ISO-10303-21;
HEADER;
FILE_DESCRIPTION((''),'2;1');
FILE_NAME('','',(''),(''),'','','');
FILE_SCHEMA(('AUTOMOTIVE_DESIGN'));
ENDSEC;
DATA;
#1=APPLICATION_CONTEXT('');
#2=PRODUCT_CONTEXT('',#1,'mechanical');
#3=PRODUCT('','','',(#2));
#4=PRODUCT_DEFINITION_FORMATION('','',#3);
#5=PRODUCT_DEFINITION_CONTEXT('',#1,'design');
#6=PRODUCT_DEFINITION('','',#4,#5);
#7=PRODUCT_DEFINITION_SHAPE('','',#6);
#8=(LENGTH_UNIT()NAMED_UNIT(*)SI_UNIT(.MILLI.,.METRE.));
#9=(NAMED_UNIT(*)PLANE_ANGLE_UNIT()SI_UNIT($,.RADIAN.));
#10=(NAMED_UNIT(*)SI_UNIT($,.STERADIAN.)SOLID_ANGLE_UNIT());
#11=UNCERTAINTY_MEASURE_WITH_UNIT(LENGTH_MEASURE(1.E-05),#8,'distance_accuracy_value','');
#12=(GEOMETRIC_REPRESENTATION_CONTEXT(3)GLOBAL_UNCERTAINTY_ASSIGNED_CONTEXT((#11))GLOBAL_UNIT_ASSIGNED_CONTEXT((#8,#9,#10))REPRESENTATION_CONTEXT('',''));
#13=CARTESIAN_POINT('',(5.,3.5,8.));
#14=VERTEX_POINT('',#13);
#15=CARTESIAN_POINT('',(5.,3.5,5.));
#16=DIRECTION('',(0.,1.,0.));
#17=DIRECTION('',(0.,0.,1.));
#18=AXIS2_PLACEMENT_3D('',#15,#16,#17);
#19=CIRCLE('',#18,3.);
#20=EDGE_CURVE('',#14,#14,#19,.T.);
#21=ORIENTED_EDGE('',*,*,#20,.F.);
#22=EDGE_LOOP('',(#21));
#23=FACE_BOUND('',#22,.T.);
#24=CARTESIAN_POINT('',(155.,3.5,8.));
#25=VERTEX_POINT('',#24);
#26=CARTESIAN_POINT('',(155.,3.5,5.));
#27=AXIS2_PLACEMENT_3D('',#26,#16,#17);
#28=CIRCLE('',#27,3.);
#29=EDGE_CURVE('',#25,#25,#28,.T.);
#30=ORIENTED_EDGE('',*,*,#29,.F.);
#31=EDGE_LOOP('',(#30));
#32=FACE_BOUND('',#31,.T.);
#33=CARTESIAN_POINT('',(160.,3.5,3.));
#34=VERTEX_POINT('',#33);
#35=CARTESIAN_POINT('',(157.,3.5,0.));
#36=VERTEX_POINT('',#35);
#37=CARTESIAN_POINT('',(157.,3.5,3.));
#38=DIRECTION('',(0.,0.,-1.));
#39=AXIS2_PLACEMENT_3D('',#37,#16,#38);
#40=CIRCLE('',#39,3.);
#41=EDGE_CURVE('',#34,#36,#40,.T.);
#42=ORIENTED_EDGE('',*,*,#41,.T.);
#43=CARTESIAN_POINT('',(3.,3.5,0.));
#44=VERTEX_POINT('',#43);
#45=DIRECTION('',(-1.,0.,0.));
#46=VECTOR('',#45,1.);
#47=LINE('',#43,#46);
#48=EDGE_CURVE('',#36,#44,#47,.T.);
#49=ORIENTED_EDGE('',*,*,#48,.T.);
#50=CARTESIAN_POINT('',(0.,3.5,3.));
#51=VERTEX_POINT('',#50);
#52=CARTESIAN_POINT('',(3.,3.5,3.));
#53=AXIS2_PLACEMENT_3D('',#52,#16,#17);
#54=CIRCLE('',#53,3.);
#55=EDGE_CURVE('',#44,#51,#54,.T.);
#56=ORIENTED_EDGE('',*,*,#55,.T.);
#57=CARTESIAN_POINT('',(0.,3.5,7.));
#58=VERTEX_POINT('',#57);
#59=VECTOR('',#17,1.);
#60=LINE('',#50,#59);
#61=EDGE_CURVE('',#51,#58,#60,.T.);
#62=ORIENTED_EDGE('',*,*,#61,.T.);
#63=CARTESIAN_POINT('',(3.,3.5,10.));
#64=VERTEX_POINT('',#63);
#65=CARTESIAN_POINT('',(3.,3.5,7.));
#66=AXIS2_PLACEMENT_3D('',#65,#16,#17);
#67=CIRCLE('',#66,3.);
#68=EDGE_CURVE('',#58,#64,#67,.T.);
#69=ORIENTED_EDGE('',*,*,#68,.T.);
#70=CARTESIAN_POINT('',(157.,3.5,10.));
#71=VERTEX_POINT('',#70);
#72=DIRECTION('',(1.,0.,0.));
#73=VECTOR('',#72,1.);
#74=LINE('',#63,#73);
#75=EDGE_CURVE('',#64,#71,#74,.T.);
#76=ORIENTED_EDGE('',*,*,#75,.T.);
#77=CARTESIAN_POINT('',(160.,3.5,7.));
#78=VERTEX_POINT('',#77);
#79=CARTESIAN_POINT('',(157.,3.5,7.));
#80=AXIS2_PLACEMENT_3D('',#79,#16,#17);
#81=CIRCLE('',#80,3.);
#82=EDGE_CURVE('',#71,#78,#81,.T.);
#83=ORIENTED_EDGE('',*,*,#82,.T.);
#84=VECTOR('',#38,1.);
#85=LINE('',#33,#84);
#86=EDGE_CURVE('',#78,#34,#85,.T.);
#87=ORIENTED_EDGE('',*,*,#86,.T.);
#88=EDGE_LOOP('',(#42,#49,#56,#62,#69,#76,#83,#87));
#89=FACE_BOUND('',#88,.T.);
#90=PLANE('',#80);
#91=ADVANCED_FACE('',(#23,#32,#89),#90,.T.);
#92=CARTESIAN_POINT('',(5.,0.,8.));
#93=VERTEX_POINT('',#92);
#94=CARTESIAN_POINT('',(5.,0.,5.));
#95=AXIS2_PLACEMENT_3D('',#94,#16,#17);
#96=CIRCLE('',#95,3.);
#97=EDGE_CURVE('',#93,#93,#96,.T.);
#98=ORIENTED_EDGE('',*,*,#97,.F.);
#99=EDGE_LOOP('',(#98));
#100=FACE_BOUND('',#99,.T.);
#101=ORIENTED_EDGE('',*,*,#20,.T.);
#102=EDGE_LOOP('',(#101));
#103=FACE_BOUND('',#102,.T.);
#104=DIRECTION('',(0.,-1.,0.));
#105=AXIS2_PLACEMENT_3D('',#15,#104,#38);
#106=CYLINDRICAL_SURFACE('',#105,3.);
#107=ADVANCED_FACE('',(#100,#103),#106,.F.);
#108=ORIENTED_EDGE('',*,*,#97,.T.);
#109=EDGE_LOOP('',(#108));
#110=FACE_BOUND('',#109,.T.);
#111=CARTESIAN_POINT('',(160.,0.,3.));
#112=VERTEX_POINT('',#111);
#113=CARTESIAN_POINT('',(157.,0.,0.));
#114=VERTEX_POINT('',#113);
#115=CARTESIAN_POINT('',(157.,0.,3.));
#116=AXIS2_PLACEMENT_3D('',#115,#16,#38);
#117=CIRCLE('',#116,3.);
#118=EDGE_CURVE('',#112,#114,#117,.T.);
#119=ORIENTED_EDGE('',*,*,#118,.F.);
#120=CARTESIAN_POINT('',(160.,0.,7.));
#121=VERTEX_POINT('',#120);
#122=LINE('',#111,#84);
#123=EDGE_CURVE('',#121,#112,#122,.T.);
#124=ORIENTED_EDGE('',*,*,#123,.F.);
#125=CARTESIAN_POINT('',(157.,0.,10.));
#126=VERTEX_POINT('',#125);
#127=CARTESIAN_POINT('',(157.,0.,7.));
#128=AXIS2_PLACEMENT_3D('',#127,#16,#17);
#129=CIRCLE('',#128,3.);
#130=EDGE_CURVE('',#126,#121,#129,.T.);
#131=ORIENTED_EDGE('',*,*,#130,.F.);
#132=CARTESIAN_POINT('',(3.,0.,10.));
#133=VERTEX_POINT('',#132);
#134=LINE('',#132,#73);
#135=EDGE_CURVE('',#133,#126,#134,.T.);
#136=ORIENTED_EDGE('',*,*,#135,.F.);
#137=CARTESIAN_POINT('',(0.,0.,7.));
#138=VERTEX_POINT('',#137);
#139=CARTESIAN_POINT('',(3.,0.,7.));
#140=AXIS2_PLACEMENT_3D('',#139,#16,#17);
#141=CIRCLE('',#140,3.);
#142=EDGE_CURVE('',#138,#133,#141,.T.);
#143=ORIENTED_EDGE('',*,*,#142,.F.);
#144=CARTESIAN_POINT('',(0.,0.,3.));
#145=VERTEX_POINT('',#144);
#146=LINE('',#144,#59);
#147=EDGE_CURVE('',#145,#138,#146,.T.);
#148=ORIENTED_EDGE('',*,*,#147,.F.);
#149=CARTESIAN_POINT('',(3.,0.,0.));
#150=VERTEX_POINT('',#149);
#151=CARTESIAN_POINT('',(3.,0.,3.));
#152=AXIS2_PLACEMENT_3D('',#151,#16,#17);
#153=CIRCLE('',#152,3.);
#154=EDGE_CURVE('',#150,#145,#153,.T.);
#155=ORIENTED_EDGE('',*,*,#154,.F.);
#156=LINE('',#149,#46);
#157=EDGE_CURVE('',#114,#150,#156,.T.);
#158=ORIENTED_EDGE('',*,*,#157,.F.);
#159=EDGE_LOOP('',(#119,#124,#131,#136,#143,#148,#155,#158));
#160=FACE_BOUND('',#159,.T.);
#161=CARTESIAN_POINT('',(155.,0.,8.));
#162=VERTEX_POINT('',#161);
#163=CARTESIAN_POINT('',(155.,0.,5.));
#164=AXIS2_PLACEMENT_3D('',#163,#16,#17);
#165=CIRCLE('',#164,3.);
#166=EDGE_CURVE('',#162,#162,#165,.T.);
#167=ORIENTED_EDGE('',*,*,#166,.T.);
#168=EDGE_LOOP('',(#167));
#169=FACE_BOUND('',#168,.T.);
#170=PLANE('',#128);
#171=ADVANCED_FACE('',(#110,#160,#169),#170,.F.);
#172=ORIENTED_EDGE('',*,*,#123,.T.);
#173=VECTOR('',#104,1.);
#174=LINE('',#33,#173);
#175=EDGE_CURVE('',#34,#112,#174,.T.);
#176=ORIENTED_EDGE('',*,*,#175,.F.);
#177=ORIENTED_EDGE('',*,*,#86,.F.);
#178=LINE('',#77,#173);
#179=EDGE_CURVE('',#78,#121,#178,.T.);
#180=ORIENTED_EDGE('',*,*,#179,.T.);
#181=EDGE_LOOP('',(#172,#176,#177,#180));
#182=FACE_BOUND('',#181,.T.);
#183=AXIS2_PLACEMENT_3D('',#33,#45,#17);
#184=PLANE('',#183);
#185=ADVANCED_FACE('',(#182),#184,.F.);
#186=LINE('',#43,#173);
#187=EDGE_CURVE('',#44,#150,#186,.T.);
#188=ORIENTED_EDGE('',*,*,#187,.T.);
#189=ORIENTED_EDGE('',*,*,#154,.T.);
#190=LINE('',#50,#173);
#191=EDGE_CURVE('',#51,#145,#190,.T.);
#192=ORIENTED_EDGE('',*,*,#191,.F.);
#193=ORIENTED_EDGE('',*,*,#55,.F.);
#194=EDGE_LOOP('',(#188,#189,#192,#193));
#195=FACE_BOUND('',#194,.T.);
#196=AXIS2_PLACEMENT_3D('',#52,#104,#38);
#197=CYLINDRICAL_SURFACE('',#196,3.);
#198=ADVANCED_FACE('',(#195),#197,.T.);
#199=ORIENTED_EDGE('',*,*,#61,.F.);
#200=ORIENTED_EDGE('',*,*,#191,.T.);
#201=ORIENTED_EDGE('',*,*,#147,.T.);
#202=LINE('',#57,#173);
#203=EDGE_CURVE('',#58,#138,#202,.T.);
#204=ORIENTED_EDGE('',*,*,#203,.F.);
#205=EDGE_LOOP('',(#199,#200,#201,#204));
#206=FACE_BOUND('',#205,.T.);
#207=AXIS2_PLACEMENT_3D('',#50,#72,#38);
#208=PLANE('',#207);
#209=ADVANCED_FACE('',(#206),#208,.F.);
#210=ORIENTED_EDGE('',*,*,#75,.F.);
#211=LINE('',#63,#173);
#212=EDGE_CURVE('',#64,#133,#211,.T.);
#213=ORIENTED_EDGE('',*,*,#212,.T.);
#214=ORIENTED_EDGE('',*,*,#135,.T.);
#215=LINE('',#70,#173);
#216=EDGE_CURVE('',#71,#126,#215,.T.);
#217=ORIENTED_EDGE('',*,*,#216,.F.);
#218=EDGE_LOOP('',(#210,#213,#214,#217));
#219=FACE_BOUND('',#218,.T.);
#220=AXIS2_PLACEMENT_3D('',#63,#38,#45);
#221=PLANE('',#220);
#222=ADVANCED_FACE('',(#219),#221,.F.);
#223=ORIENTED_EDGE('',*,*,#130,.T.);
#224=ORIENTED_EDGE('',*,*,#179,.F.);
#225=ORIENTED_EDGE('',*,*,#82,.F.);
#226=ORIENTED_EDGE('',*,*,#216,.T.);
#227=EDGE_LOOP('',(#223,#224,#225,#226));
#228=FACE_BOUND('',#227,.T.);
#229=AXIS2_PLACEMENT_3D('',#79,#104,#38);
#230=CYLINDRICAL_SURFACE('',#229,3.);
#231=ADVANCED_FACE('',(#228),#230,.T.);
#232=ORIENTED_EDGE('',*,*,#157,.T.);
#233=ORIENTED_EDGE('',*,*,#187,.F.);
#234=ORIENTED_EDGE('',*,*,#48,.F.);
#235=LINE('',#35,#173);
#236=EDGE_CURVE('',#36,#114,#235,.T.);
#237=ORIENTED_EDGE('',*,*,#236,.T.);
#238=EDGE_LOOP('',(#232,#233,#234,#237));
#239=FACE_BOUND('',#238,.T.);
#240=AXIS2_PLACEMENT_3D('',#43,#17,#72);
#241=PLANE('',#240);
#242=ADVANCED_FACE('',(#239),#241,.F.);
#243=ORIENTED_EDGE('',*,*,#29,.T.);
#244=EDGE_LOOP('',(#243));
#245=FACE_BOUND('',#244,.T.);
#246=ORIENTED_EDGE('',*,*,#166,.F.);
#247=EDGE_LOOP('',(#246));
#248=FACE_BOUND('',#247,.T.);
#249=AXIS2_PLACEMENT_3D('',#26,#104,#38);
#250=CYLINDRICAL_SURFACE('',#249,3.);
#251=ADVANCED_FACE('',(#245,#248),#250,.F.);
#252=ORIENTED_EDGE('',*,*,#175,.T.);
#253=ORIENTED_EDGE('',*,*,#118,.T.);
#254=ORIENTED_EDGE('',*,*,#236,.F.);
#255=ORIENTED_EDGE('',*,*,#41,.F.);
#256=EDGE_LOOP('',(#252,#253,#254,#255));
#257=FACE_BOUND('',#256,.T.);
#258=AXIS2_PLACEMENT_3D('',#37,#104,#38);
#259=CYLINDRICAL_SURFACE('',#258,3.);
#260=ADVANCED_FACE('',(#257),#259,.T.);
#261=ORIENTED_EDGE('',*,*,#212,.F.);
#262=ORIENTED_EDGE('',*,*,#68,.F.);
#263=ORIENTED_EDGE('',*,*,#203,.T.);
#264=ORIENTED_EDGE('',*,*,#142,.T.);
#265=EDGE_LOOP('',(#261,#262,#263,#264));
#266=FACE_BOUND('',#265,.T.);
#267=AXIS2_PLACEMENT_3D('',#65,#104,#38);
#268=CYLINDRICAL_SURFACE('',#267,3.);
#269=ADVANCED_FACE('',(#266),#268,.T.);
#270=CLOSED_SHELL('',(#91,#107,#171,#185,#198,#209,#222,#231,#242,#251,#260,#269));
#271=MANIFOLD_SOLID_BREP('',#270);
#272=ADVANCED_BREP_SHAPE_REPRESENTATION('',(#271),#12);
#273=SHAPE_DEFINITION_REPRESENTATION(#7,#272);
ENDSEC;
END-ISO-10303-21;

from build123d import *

# Parameters (mm, degrees)
SKETCH1_R           = 3
BOSS_EXTRUDE1_DEPTH = 3.5


with BuildPart() as part:
    # Sketch1 → Boss-Extrude1 (new body)
    with BuildSketch(Plane(origin=(0, 0, 0), x_dir=(1, 0, 0), z_dir=(0, 1, 0))):
        with BuildLine():
            Line((3, 0), (157, 0))
            ThreePointArc((157, 0), (159.121320344, -0.878679656), (160, -3))
            Line((160, -3), (160, -7))
            ThreePointArc((160, -7), (159.121320344, -9.121320344), (157, -10))
            Line((157, -10), (3, -10))
            ThreePointArc((3, -10), (0.878679656, -9.121320344), (0, -7))
            Line((0, -7), (0, -3))
            ThreePointArc((0, -3), (0.878679656, -0.878679656), (3, 0))
        make_face()
        with Locations(Location((5, -5, 0), (0, 0, 270))):
            Circle(SKETCH1_R, mode=Mode.SUBTRACT)
        with Locations(Location((155, -5, 0), (0, 0, 270))):
            Circle(SKETCH1_R, mode=Mode.SUBTRACT)
    extrude(amount=BOSS_EXTRUDE1_DEPTH)


solid = part.part
